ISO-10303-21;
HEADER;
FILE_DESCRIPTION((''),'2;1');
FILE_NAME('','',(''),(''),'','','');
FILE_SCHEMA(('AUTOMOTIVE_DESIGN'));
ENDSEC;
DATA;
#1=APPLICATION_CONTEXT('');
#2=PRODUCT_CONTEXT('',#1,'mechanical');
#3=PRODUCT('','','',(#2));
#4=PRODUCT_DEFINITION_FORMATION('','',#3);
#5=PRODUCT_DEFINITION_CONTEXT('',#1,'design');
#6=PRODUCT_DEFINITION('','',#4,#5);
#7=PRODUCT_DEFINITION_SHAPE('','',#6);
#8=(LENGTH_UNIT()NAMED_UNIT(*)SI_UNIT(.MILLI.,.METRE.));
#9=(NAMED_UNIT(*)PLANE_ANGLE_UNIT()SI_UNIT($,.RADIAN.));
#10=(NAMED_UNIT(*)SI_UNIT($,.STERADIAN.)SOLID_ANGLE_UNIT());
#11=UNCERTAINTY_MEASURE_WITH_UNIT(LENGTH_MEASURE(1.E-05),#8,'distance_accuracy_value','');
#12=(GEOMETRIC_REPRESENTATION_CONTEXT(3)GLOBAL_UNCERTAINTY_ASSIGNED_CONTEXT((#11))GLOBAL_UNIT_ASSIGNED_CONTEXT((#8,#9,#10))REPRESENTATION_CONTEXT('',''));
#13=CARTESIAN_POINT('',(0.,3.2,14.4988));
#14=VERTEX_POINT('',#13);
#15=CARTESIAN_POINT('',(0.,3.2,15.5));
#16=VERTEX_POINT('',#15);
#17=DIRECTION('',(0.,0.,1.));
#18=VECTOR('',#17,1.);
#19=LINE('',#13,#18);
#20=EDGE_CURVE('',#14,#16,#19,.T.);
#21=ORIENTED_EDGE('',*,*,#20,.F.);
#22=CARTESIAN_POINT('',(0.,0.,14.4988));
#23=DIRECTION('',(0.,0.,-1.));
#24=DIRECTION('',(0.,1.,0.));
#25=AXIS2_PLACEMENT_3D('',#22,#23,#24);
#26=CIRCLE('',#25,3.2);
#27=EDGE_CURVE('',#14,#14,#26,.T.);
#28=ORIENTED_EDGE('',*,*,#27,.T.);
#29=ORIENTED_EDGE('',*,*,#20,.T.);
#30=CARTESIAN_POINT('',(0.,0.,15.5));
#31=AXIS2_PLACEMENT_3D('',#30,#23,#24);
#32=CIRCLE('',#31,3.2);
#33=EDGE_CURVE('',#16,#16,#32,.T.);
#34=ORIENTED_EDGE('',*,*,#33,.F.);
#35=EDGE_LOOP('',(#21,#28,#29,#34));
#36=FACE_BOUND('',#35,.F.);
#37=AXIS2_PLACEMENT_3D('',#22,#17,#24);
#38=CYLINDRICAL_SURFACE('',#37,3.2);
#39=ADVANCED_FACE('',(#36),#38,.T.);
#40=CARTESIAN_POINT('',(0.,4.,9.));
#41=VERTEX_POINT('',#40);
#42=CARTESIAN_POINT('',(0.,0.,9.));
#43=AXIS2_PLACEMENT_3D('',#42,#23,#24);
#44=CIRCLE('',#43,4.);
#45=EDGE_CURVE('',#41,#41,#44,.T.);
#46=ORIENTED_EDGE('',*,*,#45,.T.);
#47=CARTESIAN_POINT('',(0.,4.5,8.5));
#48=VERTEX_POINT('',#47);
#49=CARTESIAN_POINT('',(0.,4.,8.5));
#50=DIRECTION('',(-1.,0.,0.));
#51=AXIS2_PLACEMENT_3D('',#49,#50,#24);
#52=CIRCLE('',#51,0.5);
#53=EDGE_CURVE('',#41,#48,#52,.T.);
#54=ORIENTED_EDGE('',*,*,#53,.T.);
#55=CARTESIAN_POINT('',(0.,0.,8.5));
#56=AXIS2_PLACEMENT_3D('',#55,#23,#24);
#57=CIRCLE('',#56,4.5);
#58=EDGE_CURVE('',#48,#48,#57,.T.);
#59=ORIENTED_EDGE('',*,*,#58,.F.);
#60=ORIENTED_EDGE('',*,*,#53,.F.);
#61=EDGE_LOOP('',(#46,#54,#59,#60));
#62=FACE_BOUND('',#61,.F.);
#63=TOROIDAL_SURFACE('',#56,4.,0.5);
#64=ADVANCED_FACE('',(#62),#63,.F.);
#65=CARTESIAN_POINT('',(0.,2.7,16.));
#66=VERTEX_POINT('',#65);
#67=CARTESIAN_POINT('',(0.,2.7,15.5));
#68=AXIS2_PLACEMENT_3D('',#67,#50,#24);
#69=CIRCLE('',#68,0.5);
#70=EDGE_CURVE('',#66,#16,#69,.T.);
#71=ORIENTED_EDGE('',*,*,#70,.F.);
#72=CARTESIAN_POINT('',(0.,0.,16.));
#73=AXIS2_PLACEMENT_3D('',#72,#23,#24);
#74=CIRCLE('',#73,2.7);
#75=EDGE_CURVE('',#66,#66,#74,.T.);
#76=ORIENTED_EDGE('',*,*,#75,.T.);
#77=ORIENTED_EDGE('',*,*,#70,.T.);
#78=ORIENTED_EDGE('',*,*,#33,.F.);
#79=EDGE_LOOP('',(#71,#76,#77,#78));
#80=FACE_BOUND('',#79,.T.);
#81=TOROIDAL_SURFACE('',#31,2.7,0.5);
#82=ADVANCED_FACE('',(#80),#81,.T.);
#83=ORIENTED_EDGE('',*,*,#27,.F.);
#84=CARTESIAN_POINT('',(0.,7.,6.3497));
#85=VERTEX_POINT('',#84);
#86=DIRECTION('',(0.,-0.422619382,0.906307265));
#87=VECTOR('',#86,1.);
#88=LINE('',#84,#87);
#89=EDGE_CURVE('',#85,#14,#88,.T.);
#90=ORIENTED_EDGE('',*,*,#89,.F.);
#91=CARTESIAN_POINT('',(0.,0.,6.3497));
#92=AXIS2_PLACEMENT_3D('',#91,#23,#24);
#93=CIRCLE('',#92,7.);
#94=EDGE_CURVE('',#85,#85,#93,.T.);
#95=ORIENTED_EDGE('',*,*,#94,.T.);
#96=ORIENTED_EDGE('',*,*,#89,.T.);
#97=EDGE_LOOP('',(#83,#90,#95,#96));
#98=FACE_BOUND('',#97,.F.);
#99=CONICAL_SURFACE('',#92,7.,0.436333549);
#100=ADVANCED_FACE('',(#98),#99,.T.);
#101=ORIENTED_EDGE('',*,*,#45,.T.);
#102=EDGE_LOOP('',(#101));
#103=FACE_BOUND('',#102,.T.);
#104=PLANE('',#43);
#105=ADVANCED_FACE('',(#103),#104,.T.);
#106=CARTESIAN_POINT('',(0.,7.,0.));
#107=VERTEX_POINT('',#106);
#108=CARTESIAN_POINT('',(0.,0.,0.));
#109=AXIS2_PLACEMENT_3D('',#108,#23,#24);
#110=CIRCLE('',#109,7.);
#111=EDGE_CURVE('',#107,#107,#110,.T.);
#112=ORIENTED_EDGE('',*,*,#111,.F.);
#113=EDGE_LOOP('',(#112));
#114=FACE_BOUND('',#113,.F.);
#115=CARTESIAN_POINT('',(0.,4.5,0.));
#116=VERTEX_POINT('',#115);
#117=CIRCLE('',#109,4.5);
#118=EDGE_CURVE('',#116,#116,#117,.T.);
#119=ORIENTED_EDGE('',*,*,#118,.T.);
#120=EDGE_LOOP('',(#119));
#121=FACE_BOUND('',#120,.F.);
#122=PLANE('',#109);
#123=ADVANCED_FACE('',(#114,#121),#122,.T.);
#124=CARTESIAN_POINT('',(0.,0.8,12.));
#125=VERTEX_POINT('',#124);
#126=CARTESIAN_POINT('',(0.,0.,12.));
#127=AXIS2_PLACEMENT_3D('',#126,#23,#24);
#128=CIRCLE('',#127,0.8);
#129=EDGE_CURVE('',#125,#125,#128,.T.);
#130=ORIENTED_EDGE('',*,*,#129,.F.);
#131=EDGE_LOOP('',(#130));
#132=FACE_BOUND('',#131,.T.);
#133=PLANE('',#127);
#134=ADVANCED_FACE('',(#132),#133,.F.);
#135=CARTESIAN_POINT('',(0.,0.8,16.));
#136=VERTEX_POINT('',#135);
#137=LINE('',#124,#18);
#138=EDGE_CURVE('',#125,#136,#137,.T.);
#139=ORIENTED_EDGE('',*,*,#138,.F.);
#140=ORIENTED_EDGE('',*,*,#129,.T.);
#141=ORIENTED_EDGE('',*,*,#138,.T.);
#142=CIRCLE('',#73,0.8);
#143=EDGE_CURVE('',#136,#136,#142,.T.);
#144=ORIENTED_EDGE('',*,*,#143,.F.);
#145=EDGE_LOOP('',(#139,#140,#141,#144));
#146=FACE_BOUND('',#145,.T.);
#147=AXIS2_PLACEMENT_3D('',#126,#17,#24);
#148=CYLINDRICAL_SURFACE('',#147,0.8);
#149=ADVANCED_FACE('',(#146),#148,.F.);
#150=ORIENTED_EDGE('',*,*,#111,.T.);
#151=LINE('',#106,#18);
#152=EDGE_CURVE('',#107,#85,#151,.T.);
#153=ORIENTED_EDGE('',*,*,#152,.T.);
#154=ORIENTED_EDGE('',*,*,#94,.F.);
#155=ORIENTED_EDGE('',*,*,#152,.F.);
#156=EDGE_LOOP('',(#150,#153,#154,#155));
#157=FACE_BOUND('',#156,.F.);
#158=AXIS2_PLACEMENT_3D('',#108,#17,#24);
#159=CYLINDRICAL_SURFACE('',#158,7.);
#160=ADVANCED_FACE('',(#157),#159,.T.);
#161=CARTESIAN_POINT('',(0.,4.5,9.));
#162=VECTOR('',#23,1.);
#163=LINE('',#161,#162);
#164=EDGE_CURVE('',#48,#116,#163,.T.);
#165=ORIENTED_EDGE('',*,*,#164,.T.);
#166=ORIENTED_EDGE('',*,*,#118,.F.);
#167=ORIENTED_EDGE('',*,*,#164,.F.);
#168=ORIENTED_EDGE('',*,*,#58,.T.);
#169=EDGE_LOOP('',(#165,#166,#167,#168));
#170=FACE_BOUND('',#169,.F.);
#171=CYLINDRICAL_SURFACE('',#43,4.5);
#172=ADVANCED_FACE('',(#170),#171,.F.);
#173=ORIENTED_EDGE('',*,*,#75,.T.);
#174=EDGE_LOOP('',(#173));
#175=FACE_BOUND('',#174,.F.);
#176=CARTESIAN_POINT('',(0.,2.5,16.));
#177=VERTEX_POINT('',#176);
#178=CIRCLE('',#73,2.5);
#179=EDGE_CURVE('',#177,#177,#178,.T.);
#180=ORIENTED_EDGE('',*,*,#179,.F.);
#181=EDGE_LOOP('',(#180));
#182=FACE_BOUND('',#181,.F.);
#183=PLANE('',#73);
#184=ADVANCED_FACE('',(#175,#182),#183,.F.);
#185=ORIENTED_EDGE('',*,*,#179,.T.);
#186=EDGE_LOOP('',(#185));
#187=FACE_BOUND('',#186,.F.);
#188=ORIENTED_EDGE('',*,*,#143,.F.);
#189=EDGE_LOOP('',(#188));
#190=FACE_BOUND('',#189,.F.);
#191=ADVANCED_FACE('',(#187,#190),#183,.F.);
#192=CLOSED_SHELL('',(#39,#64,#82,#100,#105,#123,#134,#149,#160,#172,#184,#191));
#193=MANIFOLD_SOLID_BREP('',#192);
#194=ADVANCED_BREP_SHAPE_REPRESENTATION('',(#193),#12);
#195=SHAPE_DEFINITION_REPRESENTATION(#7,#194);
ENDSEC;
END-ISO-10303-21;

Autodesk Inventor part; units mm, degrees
ref_plane "YZ Plane" through (0, 0, 0) normal (1, 0, 0) x (0, 1, 0)
ref_plane "XZ Plane" through (0, 0, 0) normal (0, 1, 0) x (-1, 0, 0)
ref_plane "XY Plane" through (0, 0, 0) normal (0, 0, 1) x (1, 0, 0)
sketch "Sketch1" plane through (0, 0, 0) normal (1, 0, 0) x (0, 1, 0)
  line L0 (0, 16) -> (2.5, 16) construction
  arc A0 (9.9609, 0) -> (2.5, 16) centre (-28.1983, -8.0544) ccw construction
  line L1 (0, 12) -> (0, 0) construction
  line L2 (2.5, 16) -> (2.5, 16) construction
  line L3 (9.9609, 0) -> (4.5, 0) construction
  line L4 (4.5, 9) -> (0, 9)
  line L5 (4.5, 9) -> (4.5, 0)
  line L6 (0, 12) -> (0, 9)
  line L7 (9.9609, 0) -> (2.5, 16) construction
  line L8 (3.2, 14.4988) -> (3.2, 16)
  line L9 (3.2, 16) -> (2.5, 16)
  line L10 (7, 0) -> (7, 6.3497)
  line L11 (4.5, 0) -> (7, 0)
  line L12 (7, 6.3497) -> (3.2, 14.4988)
  line L13 (0, 12) -> (0.8, 12)
  line L14 (0.8, 12) -> (0.8, 16)
  line L15 (2.5, 16) -> (0.8, 16)
  dimension "d0" = 2.5
  dimension "d5" = 4.5
  dimension "d11" = 9
  dimension "d12" = 16
  dimension "d13" = 115
  dimension "d14" = 3.2
  dimension "d18" = 1.5011
  dimension "d19" = 8.1491
  dimension "d20" = 7
  dimension "d21" = 4
  dimension "d22" = 0.8
revolve "Revolution1" add sketch "Sketch1" angle 360 about axis through (0, 0, 12) along (0, 0, -1)
sketch "Sketch2" plane through (0, 0, 0) normal (1, 0, 0) x (0, 1, 0)
  arc A0 (-2.5, 15) -> (2.5, 15) centre (0, 15) ccw projected
  circle A1 centre (0, 15) radius 1.5
  line L0 (0.6744, 16.3398) -> (-0.6744, 13.6602)
  point P0 (0, 0)
  dimension "d8" = 3
revolve "Revolution2" [suppressed]
fillet "Fillet1" radius 0.5 2 edges at (0, -3.2, 16) (0, -4.5, 9)
properties part number "brush fitting parta"
